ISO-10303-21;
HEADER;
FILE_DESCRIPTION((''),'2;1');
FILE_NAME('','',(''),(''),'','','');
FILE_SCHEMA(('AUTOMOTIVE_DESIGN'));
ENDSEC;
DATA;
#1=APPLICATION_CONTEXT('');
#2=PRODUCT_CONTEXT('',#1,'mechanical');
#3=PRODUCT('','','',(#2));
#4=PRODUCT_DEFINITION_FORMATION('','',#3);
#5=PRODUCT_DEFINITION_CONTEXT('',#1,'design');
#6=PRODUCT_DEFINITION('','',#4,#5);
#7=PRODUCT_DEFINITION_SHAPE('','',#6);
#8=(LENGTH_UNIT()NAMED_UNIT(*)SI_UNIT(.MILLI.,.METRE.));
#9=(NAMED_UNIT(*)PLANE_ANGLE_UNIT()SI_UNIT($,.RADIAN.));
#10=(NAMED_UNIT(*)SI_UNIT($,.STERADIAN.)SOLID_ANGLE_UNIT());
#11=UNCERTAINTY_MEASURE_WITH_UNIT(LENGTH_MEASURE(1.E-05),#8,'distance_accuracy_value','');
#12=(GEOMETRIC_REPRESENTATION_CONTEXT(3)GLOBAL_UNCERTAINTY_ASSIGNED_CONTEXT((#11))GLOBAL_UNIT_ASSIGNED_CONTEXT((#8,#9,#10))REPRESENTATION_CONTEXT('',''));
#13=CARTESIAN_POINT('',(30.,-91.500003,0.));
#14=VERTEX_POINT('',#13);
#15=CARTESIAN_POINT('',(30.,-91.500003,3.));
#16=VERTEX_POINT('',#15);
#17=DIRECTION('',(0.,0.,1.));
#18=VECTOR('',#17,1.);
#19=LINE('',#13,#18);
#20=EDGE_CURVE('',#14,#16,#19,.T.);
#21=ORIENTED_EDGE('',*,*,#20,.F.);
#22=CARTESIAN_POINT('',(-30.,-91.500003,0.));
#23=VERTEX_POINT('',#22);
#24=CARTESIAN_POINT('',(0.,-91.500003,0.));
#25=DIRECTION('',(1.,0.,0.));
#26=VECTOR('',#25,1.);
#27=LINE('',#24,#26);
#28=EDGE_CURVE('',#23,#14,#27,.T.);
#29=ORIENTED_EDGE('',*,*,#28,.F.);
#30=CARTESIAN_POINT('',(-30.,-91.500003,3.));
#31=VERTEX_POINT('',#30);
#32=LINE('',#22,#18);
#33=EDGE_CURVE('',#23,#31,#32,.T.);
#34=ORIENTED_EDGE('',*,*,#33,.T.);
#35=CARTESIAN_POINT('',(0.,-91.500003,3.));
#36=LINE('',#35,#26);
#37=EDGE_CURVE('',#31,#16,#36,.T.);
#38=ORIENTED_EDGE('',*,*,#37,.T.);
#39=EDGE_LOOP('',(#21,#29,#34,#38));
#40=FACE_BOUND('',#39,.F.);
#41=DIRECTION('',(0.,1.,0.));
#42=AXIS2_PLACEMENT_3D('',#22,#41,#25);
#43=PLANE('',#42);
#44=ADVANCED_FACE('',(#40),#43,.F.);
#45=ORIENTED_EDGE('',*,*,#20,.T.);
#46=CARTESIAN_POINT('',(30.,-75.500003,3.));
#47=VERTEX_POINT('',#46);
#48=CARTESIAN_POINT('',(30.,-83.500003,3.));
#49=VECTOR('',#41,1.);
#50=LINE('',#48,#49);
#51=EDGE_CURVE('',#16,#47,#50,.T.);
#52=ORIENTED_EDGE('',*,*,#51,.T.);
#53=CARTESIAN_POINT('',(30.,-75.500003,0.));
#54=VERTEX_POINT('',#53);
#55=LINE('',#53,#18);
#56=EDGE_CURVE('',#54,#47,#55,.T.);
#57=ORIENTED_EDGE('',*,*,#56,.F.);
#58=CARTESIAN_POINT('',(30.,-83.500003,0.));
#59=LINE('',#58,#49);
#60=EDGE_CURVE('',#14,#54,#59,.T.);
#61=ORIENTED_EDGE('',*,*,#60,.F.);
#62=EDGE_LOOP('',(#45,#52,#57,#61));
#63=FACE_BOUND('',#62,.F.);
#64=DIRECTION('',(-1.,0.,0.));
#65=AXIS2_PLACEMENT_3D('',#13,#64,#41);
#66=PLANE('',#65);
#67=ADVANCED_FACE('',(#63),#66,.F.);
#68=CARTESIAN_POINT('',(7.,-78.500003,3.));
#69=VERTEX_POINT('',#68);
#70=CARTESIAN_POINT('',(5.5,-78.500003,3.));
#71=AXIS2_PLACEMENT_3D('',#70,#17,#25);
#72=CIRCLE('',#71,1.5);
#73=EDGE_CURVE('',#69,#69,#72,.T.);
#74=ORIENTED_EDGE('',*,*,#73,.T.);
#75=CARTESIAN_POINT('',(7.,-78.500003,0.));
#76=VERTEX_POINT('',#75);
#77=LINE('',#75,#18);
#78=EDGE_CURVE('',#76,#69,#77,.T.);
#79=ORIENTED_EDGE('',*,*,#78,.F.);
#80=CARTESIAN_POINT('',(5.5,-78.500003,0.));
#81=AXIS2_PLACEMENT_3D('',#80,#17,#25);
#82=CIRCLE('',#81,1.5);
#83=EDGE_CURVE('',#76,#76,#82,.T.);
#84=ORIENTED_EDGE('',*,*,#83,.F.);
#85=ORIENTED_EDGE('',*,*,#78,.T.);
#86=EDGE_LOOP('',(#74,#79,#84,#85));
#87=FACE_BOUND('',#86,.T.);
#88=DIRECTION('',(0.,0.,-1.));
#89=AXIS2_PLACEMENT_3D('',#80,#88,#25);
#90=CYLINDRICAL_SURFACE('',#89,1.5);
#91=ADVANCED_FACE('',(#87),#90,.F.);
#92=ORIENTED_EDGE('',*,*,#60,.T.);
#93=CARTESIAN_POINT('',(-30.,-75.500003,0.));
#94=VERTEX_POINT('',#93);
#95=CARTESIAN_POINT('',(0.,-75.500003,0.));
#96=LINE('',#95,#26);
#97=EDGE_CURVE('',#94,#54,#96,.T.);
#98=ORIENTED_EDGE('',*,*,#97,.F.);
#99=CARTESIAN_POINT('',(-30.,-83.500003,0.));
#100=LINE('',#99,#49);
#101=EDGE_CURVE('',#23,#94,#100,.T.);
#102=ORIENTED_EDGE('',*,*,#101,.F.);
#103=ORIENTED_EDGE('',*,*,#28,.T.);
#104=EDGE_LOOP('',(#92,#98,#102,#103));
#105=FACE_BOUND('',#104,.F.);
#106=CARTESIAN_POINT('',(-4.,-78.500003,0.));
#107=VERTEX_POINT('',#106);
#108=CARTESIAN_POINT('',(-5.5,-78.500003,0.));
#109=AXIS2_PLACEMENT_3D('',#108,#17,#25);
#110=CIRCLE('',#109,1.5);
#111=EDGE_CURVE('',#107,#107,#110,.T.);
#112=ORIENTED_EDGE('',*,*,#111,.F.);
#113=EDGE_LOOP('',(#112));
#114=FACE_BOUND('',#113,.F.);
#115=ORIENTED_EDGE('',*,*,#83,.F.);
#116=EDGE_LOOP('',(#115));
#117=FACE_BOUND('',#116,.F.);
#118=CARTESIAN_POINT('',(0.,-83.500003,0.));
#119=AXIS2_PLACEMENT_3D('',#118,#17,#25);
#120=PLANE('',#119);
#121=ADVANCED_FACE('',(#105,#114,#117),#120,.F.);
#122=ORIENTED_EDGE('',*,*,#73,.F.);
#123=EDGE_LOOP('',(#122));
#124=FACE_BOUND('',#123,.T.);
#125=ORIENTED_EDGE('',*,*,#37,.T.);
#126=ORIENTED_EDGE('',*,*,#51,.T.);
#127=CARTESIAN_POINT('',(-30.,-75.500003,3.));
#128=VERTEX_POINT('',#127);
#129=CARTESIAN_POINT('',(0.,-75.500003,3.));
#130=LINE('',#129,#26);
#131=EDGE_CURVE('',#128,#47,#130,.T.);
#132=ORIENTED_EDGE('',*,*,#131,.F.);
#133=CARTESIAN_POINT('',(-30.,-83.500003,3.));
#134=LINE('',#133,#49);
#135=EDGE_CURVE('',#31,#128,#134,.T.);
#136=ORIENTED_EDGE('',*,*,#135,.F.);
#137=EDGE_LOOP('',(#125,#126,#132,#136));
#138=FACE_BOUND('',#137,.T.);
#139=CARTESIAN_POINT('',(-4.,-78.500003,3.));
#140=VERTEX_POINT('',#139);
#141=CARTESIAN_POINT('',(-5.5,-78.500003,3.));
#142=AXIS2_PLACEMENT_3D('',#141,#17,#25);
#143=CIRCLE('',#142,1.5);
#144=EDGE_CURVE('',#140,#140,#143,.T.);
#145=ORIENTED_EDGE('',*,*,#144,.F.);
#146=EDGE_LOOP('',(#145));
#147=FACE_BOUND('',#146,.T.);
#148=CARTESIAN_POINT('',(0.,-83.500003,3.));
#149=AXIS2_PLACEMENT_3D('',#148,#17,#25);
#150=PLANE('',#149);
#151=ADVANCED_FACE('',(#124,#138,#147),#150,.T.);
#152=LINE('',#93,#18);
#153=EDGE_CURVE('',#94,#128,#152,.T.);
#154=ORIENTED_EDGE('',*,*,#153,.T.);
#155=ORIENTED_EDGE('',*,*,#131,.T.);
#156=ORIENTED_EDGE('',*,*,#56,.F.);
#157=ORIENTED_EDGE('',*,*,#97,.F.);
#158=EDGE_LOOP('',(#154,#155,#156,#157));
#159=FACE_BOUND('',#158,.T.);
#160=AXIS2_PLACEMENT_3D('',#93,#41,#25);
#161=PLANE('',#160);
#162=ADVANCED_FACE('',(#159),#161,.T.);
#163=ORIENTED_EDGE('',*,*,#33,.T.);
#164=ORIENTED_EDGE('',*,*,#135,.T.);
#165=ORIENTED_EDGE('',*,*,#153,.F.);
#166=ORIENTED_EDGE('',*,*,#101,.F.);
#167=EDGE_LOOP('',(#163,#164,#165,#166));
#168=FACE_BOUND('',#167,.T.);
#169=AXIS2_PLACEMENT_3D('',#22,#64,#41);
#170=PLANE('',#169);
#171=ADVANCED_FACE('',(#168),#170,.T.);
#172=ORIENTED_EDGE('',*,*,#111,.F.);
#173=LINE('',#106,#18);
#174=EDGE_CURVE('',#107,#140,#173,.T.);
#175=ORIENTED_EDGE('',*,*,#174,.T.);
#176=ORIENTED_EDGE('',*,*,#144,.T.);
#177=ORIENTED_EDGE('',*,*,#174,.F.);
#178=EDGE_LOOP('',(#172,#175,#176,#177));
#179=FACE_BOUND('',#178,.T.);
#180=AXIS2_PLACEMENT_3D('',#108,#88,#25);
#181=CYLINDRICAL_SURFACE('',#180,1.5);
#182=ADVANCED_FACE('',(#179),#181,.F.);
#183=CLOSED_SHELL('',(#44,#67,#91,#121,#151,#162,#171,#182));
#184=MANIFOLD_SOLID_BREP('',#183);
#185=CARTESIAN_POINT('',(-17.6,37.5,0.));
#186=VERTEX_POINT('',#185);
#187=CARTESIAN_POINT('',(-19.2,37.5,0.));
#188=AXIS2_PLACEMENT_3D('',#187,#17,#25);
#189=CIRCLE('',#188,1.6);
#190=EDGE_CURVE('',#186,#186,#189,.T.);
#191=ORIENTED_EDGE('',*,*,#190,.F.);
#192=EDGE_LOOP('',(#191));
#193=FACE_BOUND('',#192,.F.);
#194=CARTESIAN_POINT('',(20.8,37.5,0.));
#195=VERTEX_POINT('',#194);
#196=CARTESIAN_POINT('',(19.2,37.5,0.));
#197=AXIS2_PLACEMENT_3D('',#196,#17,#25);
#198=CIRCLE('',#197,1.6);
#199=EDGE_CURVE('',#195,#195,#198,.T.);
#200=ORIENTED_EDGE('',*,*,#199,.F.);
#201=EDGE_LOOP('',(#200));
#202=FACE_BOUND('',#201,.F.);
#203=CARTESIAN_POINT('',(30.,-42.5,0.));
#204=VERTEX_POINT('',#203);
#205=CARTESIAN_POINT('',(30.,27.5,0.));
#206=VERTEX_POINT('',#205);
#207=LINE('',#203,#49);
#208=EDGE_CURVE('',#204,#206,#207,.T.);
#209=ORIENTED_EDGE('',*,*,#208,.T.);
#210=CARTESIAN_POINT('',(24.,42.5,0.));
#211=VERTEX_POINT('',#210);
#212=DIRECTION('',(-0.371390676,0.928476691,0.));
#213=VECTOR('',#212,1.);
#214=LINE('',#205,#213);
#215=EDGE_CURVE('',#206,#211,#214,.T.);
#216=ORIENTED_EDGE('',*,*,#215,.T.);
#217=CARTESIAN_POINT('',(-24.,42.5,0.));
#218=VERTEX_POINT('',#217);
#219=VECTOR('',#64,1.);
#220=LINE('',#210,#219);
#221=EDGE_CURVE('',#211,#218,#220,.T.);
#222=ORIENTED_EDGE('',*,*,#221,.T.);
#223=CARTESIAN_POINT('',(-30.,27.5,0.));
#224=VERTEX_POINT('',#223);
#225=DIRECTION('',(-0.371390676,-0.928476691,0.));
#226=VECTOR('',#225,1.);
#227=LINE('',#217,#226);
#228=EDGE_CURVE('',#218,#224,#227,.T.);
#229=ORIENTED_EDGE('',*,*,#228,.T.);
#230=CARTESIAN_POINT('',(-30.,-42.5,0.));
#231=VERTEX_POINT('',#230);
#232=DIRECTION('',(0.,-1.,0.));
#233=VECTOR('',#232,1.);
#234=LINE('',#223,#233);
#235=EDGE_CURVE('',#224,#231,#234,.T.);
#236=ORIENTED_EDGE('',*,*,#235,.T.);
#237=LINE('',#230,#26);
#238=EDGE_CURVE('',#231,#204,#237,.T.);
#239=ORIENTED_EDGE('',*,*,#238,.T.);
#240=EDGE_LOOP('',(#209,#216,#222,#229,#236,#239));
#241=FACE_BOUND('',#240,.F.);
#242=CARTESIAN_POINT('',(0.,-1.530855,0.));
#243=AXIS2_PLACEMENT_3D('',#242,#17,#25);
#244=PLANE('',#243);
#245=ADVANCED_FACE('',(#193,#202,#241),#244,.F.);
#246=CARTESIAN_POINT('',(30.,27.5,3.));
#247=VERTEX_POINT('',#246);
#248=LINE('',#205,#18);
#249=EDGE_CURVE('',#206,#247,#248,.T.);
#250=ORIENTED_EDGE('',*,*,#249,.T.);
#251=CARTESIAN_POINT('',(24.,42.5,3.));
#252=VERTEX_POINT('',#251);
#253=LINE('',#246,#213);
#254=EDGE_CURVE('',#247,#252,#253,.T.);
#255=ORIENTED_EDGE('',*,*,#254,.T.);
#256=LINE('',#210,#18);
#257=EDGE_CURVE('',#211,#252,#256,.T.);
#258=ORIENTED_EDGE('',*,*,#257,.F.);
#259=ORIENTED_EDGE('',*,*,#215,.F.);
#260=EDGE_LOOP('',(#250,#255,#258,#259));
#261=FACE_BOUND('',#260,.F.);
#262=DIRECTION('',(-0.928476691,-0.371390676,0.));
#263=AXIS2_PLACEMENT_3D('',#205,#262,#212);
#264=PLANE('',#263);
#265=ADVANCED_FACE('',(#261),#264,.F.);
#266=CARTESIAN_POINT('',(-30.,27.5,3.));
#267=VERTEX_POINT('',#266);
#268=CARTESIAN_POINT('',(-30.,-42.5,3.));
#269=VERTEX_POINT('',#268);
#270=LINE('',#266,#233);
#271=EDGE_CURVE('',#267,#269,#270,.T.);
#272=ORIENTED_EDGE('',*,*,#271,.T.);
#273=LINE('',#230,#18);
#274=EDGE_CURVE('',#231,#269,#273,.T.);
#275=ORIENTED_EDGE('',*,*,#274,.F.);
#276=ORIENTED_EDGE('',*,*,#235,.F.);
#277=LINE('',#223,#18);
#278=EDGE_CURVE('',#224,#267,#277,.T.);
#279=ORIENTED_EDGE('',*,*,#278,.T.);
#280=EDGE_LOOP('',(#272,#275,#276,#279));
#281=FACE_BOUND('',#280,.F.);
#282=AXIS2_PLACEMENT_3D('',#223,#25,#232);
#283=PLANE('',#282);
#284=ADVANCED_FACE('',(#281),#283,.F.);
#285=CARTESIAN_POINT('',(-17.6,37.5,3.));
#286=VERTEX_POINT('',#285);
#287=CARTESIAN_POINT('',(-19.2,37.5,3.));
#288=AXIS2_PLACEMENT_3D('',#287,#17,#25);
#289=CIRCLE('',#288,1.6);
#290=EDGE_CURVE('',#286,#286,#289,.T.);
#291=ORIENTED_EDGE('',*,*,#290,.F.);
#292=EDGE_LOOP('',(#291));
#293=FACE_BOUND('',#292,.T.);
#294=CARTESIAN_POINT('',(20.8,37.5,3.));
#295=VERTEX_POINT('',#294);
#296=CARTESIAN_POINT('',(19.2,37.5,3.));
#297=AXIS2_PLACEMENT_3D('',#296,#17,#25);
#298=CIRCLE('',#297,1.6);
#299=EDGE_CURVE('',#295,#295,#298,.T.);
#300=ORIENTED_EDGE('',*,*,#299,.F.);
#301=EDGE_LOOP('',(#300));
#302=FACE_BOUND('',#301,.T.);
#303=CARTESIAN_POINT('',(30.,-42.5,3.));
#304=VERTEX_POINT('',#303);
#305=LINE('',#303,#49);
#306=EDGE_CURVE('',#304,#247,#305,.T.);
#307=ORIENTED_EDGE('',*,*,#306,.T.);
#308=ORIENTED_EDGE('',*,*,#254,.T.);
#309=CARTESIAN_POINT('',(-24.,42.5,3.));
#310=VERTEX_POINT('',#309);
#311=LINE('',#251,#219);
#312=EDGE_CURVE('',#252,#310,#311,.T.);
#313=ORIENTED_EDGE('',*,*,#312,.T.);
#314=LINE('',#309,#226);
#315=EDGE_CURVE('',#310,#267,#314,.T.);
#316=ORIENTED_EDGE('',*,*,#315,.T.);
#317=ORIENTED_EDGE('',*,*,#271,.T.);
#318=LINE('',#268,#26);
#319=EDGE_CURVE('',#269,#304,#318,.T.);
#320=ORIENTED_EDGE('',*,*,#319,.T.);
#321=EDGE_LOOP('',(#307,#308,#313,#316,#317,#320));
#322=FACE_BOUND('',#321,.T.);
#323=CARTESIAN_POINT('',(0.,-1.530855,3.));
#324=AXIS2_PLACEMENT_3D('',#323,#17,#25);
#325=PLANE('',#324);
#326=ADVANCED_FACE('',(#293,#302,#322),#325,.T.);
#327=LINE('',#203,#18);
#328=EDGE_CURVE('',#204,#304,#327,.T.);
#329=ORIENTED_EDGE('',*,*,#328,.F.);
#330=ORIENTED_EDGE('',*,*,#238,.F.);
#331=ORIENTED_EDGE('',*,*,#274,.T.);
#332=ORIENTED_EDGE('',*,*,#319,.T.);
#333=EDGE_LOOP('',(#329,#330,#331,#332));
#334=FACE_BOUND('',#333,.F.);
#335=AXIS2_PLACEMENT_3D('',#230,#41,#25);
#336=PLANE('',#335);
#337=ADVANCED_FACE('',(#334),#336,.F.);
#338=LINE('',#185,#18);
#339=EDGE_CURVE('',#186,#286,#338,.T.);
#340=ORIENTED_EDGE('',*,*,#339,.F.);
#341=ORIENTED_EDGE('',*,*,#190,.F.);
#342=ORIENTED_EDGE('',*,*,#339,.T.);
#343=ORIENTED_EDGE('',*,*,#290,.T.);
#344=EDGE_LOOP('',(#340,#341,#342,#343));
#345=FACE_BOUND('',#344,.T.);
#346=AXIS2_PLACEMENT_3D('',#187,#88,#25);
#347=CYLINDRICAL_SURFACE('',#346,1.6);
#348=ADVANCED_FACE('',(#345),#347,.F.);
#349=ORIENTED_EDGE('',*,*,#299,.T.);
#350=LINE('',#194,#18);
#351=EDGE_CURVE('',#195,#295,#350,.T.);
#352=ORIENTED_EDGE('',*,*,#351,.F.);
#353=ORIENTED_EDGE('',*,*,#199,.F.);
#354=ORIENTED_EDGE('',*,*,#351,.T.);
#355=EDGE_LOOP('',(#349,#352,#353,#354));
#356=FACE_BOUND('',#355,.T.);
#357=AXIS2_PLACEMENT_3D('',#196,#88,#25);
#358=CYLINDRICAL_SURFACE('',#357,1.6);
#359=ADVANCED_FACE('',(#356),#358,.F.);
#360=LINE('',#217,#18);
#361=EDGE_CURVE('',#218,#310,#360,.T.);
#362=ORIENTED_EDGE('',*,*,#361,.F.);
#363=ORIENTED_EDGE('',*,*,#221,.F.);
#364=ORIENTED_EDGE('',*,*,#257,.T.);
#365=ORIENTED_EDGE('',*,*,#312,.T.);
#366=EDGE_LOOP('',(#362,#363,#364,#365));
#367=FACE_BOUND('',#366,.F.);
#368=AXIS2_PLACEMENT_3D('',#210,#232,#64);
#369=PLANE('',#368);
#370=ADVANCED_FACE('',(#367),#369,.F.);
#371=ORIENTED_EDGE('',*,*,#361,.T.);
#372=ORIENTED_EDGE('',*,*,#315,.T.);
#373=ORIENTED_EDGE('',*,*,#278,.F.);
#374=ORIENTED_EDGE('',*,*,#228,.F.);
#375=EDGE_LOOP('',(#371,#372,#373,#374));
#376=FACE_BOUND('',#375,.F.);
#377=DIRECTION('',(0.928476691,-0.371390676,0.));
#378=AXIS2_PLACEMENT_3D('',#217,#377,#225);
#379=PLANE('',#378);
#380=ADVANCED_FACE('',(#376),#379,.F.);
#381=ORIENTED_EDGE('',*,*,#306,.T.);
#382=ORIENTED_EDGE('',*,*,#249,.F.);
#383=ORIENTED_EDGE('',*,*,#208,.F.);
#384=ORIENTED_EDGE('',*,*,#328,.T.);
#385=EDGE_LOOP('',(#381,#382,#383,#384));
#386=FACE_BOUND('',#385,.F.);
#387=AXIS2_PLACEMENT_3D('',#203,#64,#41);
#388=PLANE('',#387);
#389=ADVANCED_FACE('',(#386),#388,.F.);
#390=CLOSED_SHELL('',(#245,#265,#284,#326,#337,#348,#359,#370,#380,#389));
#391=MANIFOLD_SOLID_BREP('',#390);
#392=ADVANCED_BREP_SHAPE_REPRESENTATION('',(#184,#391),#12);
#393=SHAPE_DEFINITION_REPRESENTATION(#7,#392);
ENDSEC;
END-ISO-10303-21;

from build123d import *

# Parameters (mm, degrees)
F0_R     = 1.6
F1_DEPTH = 3
F2_W     = 60
F2_H     = 16
F2_R     = 1.5
F3_DEPTH = 3


with BuildPart() as f1:
    # F0 (on Top) → F1 (new body)
    with BuildSketch(Plane.XY):
        Polygon((24, 42.5), (-24, 42.5), (-30, 27.5), (-30, -42.5), (30, -42.5), (30, 27.5), align=None)
        with Locations((-19.2, 37.5)):
            Circle(F0_R, mode=Mode.SUBTRACT)
        with Locations((19.2, 37.5)):
            Circle(F0_R, mode=Mode.SUBTRACT)
    extrude(amount=F1_DEPTH)


with BuildPart() as f3:
    # F2 (on Top) → F3 (new body)
    with BuildSketch(Plane.XY):
        with Locations((0, -83.500003)):
            Rectangle(F2_W, F2_H)
        with Locations((-5.5, -78.500003)):
            Circle(F2_R, mode=Mode.SUBTRACT)
        with Locations((5.5, -78.500003)):
            Circle(F2_R, mode=Mode.SUBTRACT)
    extrude(amount=F3_DEPTH)


solid = Compound([f1.part, f3.part])
